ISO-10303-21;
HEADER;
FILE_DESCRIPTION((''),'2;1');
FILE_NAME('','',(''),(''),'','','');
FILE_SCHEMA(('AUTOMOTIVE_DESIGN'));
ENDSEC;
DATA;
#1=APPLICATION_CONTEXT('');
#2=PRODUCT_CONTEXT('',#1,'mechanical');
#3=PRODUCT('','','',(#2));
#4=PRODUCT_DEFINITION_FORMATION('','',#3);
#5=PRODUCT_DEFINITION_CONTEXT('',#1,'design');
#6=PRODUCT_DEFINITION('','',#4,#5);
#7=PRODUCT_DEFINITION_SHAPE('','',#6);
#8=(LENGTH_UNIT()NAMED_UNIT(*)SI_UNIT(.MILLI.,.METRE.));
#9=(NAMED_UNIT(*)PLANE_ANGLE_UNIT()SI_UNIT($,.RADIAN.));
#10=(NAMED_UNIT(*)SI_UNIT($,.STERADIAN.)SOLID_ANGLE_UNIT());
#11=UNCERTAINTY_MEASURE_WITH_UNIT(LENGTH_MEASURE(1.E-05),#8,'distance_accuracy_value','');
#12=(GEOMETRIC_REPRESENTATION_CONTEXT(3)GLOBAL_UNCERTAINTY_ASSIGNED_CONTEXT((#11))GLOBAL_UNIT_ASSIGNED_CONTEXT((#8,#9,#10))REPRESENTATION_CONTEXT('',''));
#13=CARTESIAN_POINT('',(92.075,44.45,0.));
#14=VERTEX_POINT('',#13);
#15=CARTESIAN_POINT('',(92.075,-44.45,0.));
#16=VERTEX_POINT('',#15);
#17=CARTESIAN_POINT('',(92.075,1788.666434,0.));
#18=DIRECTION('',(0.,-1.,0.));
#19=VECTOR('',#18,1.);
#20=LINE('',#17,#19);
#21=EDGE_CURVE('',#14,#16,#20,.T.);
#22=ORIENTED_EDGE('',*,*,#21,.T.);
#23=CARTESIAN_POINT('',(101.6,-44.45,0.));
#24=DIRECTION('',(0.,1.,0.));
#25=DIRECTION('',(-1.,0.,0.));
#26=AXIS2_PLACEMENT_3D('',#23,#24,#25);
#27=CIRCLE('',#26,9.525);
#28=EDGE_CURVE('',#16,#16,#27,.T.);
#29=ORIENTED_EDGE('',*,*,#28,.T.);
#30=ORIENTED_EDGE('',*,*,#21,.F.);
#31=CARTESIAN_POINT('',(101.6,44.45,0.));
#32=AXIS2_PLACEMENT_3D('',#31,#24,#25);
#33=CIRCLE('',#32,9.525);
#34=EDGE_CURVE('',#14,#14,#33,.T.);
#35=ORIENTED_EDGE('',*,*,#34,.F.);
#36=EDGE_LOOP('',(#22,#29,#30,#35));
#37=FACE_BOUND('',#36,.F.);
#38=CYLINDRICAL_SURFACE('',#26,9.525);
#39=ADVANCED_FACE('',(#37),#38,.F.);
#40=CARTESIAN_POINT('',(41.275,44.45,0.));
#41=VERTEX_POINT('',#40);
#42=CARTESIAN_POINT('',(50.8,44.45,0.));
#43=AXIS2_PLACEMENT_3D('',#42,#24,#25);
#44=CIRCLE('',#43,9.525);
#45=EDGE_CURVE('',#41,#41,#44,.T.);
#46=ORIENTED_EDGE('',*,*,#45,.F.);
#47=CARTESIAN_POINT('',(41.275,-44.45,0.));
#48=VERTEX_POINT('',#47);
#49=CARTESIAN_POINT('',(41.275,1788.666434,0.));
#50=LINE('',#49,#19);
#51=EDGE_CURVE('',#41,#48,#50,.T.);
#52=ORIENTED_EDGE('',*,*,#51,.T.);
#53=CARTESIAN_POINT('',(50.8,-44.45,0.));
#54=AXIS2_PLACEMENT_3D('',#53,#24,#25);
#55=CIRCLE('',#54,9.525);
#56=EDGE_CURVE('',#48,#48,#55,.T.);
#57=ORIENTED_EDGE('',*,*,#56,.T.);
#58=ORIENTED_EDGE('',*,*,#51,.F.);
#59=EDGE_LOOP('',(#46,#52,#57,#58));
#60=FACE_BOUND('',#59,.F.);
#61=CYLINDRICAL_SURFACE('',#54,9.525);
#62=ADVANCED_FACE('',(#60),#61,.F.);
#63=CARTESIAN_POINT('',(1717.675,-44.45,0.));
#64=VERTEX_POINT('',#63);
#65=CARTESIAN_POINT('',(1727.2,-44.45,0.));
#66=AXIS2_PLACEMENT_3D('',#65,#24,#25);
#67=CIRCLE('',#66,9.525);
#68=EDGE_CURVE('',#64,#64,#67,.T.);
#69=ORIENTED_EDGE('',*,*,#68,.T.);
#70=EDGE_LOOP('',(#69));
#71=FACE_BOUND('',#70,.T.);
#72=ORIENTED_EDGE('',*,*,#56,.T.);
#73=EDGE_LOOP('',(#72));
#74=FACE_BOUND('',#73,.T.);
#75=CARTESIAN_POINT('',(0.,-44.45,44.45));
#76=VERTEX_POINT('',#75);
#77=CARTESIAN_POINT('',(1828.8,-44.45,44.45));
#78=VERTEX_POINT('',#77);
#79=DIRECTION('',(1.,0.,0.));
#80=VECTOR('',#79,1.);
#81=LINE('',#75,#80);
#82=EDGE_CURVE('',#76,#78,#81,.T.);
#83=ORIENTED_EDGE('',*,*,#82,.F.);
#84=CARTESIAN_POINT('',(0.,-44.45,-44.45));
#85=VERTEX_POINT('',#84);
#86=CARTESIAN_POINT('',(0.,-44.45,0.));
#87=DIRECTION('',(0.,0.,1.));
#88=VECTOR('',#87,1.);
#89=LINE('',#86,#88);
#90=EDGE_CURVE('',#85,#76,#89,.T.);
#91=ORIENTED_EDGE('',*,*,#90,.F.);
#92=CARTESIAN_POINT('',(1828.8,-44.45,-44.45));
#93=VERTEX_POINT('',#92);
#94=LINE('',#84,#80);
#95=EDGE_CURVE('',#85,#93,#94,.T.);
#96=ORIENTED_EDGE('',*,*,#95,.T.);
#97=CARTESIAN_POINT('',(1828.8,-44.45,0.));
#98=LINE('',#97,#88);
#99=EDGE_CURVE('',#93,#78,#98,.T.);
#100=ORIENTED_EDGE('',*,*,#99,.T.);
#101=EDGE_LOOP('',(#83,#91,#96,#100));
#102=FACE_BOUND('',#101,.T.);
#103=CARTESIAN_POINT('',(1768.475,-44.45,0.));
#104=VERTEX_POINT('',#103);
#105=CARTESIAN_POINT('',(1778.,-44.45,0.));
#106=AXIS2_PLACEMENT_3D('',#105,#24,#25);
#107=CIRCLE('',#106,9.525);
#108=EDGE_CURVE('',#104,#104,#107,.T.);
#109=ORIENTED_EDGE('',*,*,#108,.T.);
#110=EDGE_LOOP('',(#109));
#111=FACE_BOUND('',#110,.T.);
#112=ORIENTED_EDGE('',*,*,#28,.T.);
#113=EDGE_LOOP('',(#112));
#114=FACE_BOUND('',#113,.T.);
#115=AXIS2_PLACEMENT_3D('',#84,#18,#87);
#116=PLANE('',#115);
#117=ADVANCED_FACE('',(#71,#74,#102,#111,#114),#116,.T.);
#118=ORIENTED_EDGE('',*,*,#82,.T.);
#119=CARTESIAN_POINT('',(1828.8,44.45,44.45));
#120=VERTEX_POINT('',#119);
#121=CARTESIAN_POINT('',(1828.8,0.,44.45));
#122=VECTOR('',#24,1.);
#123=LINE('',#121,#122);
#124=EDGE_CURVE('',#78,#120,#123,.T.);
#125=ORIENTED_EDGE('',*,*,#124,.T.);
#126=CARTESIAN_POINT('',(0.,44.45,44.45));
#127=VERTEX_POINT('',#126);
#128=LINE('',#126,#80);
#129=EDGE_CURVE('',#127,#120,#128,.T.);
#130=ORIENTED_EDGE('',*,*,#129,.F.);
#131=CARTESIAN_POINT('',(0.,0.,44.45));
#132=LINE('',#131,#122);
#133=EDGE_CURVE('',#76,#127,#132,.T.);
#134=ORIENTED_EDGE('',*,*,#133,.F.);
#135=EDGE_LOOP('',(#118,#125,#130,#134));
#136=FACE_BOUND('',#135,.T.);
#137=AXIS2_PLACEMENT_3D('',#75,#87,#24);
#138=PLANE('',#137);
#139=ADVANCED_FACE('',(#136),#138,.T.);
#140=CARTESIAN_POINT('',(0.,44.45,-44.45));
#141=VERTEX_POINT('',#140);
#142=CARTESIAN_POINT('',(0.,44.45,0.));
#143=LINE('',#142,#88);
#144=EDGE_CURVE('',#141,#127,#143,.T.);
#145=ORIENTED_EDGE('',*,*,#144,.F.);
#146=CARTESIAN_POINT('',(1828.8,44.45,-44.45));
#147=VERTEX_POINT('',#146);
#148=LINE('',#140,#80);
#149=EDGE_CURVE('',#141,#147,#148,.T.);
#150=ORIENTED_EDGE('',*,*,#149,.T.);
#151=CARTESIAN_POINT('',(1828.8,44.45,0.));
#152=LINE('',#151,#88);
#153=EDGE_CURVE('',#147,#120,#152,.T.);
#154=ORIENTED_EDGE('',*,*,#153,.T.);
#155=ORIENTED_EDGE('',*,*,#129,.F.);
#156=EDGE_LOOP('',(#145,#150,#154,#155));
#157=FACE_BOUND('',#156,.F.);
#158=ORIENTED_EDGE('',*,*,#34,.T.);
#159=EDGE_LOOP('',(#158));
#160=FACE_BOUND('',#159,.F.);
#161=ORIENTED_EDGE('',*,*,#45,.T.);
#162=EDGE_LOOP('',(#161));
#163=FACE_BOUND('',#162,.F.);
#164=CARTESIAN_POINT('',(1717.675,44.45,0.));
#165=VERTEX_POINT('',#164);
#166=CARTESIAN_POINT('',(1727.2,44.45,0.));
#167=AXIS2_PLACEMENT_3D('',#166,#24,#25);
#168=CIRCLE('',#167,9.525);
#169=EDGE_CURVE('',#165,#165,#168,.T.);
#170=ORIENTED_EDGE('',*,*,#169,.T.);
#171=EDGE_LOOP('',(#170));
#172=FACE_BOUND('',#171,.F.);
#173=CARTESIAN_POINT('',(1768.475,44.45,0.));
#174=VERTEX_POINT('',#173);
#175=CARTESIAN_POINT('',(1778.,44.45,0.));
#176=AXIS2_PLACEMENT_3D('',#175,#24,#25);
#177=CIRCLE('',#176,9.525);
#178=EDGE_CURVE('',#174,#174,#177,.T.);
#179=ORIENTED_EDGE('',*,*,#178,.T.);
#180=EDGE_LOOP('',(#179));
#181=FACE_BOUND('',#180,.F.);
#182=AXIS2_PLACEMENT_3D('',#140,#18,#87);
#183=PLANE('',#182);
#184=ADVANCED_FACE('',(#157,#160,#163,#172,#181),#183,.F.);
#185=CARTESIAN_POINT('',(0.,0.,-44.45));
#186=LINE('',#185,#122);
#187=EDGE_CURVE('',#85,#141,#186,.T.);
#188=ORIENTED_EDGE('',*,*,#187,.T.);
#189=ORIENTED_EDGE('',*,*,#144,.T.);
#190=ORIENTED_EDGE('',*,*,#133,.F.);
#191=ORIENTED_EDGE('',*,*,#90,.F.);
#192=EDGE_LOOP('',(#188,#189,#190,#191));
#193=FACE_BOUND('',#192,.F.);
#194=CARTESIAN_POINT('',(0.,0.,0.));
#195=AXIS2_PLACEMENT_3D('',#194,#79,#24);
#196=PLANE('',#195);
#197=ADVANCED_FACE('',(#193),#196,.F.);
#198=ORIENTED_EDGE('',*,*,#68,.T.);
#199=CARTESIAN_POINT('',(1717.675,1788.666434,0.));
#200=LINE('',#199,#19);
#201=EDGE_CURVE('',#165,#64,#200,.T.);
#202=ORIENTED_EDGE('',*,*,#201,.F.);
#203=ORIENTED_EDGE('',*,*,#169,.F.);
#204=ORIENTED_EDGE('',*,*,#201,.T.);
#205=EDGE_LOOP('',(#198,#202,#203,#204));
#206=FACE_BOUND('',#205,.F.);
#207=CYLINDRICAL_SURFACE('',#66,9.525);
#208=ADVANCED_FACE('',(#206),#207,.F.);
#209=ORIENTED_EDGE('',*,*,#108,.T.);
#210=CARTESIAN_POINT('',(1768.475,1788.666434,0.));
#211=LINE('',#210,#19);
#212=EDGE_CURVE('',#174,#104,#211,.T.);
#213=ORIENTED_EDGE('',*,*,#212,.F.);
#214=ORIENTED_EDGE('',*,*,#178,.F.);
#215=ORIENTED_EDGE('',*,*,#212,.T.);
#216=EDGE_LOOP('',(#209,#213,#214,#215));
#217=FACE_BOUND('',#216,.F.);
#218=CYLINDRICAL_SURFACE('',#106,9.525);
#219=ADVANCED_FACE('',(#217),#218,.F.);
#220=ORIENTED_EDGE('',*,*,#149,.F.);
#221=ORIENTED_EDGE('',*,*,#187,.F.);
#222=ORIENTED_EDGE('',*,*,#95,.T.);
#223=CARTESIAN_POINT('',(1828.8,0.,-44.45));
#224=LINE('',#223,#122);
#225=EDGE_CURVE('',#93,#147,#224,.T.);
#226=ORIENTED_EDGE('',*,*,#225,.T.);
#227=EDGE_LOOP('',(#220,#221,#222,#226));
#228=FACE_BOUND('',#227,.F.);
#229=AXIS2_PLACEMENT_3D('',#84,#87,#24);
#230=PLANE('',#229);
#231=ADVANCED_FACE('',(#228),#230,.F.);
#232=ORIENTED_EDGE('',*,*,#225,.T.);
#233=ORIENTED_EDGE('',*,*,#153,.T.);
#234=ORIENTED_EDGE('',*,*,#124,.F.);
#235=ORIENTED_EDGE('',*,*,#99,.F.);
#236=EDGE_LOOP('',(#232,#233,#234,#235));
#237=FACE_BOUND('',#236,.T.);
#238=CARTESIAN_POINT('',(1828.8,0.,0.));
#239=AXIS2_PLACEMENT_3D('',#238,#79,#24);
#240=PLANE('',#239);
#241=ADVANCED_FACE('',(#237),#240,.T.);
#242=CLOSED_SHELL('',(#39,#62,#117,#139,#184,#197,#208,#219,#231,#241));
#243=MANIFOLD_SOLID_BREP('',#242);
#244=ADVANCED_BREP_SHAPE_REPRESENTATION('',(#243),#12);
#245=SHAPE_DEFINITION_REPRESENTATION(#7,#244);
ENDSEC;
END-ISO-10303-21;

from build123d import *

# Parameters (mm, degrees)
F0_W           = 88.9
F0_H           = 88.9
F1_DEPTH       = 1828.8
F3_D           = 19.05
F3_CBORE_D     = 19.05
F3_CBORE_DEPTH = 19.05


with BuildPart() as f1:
    # F0 (on Right) → F1 (new body)
    with BuildSketch(Plane.YZ):
        Rectangle(F0_W, F0_H)
    extrude(amount=F1_DEPTH)

    # F3 (through all)
    with Locations(Plane.XZ.offset(44.45)):
        with Locations((50.8, 0), (101.6, 0), (1778, 0), (1727.2, 0)):
            CounterBoreHole(F3_D / 2, F3_CBORE_D / 2, F3_CBORE_DEPTH)


solid = f1.part
